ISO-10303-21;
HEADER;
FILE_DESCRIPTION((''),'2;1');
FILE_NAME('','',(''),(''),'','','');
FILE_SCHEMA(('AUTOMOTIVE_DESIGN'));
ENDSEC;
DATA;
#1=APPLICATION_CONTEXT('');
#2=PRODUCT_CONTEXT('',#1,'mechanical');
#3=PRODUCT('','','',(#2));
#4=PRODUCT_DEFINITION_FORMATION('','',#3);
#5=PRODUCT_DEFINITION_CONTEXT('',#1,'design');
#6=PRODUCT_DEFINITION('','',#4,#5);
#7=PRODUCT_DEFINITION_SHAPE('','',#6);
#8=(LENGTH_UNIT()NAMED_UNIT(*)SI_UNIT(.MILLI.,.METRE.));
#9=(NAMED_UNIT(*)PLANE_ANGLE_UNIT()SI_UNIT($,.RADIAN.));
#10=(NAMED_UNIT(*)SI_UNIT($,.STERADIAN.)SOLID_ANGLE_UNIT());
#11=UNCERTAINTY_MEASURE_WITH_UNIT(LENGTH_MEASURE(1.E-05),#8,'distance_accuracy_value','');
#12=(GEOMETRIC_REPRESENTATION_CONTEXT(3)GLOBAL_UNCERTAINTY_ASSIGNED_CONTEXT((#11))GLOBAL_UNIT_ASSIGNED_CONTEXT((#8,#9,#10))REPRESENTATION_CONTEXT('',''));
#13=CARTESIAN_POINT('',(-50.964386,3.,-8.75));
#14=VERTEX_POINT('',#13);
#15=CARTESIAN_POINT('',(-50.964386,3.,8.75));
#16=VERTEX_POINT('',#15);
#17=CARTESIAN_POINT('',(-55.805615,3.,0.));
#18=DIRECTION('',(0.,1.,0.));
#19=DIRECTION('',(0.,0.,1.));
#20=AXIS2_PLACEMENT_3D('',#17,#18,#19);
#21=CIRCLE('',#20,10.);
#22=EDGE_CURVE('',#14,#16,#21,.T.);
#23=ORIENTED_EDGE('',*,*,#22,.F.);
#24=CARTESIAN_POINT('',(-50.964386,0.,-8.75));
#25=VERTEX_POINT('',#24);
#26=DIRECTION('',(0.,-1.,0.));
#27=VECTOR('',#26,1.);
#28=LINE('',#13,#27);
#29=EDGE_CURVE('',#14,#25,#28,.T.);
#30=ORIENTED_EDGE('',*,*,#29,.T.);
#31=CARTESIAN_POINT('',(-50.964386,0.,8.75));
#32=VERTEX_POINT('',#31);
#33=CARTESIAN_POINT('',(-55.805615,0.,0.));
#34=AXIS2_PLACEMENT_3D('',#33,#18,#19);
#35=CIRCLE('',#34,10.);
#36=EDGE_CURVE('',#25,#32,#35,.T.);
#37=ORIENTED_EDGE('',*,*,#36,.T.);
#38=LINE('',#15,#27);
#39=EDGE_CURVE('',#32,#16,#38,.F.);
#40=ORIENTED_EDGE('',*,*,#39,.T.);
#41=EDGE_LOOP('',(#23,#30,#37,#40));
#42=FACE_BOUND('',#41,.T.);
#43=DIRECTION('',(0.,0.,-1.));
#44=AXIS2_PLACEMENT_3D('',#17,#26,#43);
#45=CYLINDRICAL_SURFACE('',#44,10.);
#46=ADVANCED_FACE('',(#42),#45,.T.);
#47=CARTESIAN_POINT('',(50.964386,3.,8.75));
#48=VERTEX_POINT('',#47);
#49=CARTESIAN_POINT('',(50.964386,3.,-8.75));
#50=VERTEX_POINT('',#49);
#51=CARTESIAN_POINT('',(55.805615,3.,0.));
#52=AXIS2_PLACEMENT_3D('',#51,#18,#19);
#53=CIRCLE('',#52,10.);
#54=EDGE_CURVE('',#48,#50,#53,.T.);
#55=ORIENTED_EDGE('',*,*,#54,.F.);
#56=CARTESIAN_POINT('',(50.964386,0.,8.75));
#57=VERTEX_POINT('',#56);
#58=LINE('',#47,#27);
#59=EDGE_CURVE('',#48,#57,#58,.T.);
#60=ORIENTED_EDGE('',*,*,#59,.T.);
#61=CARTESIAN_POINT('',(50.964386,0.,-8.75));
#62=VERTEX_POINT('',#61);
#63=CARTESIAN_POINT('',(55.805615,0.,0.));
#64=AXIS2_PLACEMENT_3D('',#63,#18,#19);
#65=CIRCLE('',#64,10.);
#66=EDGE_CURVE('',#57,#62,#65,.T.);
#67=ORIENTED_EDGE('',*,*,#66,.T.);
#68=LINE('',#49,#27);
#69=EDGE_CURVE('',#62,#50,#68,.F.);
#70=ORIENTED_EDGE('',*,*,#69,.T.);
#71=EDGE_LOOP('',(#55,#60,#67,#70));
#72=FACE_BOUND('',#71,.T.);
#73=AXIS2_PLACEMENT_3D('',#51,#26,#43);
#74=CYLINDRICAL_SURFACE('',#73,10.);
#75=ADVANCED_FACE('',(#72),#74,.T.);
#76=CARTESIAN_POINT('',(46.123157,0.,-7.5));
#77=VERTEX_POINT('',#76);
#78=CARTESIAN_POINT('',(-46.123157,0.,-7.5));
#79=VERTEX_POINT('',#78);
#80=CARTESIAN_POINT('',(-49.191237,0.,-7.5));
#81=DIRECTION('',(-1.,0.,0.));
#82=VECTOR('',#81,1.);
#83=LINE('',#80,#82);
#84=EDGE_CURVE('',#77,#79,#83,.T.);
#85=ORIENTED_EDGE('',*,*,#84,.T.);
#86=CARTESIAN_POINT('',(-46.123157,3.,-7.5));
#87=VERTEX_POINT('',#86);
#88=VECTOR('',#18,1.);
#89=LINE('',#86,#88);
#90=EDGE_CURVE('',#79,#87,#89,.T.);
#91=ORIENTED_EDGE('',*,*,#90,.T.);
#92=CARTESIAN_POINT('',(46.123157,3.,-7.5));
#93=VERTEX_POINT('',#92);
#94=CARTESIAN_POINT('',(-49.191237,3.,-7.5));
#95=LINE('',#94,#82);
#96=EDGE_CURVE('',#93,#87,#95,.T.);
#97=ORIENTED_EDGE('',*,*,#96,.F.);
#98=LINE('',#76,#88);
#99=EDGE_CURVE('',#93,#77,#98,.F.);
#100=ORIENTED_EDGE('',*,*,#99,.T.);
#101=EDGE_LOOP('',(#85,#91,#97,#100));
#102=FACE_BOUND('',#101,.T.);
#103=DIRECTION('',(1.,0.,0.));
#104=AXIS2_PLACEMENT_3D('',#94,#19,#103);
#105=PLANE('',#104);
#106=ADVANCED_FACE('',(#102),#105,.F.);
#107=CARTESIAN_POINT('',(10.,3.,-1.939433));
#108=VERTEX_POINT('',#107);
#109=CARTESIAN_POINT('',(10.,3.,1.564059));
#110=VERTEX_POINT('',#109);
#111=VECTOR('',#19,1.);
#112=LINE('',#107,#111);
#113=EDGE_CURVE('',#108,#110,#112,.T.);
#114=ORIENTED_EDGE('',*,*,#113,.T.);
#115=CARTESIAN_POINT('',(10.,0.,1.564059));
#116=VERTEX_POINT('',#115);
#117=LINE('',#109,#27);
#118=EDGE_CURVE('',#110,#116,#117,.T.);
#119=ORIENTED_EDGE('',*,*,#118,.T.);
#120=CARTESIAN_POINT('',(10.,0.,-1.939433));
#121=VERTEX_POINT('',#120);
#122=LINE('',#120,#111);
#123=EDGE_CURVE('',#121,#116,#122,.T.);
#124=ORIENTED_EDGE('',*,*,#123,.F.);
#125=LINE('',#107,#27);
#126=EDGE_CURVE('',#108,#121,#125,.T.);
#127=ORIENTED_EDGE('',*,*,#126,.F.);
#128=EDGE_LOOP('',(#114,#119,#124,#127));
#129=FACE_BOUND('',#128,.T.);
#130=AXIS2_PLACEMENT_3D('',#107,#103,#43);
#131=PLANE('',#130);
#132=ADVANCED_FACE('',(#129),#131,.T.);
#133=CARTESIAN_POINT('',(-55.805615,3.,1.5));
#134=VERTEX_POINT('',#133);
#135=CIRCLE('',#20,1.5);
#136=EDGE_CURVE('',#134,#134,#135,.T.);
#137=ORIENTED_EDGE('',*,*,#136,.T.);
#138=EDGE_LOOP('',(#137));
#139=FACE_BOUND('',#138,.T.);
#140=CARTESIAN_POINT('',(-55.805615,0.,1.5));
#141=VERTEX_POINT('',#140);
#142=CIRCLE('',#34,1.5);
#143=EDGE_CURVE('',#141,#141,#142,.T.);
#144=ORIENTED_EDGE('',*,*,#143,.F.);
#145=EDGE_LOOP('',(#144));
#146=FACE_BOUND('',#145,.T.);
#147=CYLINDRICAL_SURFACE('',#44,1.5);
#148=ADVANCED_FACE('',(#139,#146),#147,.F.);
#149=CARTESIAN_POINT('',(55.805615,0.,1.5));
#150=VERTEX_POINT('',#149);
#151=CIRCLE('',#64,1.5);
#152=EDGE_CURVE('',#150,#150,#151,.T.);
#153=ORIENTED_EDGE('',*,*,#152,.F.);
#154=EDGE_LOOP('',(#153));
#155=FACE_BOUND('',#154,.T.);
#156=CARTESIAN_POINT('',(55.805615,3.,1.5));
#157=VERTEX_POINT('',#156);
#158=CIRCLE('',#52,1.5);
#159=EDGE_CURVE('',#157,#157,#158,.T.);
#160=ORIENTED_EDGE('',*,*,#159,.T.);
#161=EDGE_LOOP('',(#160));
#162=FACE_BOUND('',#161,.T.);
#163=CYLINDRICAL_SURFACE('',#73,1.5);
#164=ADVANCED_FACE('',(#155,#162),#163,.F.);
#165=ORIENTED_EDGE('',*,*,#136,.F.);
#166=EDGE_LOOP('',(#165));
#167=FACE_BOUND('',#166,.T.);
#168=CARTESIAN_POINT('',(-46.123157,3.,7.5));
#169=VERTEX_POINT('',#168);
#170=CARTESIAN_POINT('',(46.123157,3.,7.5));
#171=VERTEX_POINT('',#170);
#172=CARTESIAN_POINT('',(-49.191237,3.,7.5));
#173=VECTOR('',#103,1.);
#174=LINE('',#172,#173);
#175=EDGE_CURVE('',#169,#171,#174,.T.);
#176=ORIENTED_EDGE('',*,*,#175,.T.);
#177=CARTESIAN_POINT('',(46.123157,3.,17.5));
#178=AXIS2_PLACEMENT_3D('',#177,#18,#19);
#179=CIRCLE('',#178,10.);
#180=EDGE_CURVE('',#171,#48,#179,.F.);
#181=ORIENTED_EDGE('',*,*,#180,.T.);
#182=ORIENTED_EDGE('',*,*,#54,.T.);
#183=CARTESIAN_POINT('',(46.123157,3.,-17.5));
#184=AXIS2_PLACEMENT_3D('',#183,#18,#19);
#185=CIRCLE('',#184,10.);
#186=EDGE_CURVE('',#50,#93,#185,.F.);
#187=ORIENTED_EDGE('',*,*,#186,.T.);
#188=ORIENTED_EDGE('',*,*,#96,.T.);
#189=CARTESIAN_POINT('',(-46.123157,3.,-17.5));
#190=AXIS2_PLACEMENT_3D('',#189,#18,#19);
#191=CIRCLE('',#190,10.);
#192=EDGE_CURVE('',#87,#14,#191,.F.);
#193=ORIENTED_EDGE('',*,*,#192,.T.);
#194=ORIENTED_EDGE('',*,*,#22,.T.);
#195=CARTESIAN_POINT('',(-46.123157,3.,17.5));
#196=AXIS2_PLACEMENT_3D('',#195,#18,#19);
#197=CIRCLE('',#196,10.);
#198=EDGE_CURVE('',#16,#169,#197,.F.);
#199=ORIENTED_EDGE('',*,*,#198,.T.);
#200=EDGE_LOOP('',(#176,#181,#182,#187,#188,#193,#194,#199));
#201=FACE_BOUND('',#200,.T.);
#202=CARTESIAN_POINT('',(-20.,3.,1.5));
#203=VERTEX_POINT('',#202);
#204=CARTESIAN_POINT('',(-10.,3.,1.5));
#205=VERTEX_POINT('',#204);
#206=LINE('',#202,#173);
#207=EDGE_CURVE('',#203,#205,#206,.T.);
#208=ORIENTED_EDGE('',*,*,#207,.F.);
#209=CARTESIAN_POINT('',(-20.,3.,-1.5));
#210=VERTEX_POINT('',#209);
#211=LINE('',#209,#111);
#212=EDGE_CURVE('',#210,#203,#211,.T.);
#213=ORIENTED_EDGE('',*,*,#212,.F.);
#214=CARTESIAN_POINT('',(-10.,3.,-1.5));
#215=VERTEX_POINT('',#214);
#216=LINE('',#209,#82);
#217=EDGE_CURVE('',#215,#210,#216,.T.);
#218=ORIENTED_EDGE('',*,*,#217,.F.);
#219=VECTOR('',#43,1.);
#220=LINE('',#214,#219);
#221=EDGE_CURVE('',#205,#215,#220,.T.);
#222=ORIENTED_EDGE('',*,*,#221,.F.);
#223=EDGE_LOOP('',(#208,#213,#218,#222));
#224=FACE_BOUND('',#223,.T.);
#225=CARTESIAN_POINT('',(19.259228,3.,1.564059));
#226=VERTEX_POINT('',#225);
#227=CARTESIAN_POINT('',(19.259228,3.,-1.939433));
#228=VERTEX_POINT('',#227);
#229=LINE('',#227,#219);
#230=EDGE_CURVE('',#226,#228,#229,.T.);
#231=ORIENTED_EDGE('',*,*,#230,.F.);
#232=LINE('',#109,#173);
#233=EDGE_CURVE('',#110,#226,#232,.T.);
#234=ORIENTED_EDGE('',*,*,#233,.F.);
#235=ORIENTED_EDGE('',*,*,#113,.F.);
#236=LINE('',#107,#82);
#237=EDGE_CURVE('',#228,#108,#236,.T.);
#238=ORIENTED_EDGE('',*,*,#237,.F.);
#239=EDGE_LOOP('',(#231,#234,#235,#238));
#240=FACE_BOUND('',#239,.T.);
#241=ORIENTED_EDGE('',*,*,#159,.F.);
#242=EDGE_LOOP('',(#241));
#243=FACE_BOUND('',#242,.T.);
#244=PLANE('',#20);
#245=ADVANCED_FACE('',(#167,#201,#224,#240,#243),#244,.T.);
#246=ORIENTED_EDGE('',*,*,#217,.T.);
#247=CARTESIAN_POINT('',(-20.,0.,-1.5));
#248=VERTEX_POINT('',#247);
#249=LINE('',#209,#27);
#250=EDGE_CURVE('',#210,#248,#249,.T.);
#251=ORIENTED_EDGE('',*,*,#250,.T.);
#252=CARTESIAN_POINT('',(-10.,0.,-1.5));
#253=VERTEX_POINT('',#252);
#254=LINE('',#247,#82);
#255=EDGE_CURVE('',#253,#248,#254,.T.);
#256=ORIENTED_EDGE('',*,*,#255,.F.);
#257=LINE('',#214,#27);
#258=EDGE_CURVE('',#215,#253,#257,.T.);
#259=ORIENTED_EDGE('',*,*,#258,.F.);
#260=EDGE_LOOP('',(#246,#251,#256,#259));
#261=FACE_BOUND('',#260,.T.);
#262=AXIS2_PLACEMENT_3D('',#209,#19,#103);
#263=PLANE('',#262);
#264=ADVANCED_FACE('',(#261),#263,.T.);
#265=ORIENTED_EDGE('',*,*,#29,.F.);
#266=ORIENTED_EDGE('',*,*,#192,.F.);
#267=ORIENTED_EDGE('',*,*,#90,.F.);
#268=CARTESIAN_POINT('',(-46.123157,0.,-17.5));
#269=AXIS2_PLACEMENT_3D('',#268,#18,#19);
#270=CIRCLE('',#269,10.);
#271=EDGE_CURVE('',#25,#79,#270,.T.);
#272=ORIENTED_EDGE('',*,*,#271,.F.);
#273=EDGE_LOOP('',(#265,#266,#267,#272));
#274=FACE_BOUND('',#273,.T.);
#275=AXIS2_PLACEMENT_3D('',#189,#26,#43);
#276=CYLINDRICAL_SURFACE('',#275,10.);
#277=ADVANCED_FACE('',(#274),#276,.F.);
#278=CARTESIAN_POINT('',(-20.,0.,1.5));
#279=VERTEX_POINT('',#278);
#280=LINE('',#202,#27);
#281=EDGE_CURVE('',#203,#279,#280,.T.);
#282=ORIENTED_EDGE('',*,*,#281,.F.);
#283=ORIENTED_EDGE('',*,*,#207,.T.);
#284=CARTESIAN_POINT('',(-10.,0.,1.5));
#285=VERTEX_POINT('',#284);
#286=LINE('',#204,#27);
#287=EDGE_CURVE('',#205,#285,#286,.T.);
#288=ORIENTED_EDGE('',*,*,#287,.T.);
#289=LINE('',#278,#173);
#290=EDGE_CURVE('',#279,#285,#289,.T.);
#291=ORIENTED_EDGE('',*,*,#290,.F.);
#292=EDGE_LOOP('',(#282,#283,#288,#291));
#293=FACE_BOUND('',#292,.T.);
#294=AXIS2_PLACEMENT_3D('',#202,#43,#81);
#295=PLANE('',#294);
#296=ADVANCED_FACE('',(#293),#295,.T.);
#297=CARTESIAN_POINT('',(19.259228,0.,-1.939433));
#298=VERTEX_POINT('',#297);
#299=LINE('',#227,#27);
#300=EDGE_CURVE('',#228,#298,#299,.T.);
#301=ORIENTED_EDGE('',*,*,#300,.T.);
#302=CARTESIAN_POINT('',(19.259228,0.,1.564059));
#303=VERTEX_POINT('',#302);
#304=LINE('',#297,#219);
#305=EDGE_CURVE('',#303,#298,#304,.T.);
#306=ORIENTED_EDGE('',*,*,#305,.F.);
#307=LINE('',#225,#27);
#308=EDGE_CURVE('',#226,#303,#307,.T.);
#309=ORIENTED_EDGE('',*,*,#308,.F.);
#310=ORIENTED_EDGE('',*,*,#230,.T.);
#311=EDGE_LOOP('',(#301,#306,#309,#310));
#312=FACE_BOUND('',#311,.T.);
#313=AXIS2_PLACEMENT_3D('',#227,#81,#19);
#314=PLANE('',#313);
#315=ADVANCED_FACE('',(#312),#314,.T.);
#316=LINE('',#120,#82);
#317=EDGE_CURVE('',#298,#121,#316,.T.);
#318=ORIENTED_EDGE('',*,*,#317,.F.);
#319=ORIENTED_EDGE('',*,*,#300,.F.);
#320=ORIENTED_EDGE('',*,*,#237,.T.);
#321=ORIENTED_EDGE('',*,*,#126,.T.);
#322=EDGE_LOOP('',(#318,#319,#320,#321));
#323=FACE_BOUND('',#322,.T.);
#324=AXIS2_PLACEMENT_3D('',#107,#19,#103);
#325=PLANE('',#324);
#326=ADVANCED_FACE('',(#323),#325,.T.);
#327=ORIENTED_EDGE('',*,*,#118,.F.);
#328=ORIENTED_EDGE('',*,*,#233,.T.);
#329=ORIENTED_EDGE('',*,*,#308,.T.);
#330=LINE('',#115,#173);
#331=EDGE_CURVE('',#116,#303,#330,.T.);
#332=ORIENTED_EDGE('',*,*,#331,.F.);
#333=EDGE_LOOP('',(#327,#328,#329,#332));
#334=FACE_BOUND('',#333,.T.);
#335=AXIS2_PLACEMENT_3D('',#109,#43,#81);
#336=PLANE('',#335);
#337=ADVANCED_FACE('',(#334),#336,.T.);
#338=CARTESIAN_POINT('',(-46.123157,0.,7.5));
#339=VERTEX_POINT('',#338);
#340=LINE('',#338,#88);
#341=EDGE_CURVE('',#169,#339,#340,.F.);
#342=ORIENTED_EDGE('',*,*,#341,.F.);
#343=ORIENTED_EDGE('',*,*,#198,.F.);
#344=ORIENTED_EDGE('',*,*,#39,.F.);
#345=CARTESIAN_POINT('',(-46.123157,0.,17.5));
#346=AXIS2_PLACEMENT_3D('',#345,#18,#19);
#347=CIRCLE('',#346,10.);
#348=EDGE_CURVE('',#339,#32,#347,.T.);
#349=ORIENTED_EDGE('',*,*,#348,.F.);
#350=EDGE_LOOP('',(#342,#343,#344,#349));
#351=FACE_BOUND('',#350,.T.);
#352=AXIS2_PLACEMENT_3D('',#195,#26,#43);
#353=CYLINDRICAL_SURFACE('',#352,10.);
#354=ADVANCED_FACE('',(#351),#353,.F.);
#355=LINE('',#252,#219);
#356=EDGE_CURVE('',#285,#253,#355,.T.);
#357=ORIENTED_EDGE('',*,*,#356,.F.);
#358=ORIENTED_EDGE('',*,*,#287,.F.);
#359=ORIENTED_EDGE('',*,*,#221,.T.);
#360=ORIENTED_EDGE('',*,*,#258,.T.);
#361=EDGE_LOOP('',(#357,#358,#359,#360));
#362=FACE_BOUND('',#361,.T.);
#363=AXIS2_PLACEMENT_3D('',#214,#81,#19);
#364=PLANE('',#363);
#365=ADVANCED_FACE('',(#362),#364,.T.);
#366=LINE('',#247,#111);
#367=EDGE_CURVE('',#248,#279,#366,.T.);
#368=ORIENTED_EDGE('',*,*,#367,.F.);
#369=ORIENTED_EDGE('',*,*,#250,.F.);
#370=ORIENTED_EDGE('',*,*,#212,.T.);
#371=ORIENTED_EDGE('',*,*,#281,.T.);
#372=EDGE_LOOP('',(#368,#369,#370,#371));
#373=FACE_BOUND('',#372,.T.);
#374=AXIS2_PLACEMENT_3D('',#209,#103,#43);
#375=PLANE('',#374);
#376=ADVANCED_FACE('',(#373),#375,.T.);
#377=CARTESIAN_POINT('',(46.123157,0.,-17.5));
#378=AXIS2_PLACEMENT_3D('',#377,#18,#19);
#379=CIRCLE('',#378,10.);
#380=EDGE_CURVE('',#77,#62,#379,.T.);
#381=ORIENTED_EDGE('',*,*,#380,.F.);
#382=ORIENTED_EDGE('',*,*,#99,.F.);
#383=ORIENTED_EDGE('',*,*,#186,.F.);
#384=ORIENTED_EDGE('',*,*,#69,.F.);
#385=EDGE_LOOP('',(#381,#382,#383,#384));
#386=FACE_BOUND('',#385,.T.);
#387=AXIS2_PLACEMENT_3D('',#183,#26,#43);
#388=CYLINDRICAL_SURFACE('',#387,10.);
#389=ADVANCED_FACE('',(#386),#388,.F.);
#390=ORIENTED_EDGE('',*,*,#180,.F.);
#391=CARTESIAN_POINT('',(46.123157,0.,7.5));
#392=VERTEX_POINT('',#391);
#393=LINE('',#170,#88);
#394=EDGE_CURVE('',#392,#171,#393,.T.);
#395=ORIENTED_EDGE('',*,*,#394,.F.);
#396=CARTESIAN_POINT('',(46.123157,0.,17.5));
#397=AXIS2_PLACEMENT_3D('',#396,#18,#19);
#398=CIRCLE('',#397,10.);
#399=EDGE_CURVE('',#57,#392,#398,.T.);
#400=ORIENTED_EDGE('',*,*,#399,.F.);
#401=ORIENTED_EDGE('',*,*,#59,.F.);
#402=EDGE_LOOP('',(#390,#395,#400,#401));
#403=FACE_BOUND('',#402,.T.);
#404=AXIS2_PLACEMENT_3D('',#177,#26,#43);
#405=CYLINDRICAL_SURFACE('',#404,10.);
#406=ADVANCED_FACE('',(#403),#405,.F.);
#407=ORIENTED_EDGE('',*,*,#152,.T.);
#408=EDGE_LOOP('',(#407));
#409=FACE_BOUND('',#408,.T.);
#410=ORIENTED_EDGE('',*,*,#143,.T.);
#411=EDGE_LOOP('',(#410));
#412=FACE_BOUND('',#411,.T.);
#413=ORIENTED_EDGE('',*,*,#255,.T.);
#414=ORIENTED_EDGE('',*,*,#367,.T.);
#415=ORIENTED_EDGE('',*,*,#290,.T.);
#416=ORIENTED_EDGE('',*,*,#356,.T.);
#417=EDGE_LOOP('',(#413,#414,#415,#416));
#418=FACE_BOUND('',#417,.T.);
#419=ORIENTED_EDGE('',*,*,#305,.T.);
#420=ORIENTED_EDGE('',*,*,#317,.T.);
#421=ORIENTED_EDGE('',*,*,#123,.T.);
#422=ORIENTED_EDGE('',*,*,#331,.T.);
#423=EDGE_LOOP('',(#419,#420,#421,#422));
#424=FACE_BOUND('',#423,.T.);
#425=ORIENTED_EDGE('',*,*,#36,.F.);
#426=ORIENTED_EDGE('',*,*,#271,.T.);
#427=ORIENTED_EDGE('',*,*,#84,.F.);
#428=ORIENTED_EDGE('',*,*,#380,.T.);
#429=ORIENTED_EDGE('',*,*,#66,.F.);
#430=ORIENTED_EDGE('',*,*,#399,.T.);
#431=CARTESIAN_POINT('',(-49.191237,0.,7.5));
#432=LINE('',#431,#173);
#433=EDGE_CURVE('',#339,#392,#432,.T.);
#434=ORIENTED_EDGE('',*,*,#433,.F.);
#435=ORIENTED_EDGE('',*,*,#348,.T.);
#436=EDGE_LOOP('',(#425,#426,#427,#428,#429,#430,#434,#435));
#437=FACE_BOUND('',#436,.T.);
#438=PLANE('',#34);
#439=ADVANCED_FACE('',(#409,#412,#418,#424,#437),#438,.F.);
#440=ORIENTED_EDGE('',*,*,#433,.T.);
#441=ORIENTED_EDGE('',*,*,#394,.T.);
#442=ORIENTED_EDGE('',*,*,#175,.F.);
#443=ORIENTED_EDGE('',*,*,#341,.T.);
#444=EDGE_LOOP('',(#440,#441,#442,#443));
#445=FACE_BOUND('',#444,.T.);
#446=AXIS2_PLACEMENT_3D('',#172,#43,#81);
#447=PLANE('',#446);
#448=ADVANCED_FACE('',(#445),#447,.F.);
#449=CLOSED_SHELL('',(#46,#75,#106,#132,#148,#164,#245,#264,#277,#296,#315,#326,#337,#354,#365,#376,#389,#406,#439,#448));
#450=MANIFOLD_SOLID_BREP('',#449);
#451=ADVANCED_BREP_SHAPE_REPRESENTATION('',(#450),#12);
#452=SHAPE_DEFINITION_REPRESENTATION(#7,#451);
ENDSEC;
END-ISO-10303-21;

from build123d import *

# Parameters (mm, degrees)
SKETCH_1_R      = 1.5
SKETCH_1_W      = 10
SKETCH_1_H      = 3
SKETCH_1_W_2    = 9.259227657
SKETCH_1_H_2    = 3.503491546
EXTRUDE_1_DEPTH = 3
FILLET_1_R      = 10


with BuildPart() as part:
    # 草图1 → 凸台-拉伸1 (new body)
    with BuildSketch(Plane(origin=(0, 0, 0), x_dir=(1, 0, 0), z_dir=(0, 1, 0))):
        with BuildLine():
            Line((-49.19123706, -7.5), (49.19123706, -7.5))
            ThreePointArc((49.19123706, -7.5), (65.805615338, 0), (49.19123706, 7.5))
            Line((49.19123706, 7.5), (-49.19123706, 7.5))
            ThreePointArc((-49.19123706, 7.5), (-65.805615338, 0), (-49.19123706, -7.5))
        make_face()
        with Locations(Location((-55.805615338, 0, 0), (0, 0, 270))):
            Circle(SKETCH_1_R, mode=Mode.SUBTRACT)
        with Locations(Location((55.805615338, 0, 0), (0, 0, 270))):
            Circle(SKETCH_1_R, mode=Mode.SUBTRACT)
        with Locations((-15, 0)):
            Rectangle(SKETCH_1_W, SKETCH_1_H, mode=Mode.SUBTRACT)
        with Locations((14.629613829, 0.187687047)):
            Rectangle(SKETCH_1_W_2, SKETCH_1_H_2, mode=Mode.SUBTRACT)
    extrude(amount=EXTRUDE_1_DEPTH)

    # 圆角1
    fillet_1_edges = [part.edges().sort_by_distance(p)[0] for p in [
        (-49.19123706, 1.5, -7.5),
        (49.19123706, 1.5, -7.5),
        (49.19123706, 1.5, 7.5),
        (-49.19123706, 1.5, 7.5),
    ]]
    fillet(fillet_1_edges, radius=FILLET_1_R)


solid = part.part
